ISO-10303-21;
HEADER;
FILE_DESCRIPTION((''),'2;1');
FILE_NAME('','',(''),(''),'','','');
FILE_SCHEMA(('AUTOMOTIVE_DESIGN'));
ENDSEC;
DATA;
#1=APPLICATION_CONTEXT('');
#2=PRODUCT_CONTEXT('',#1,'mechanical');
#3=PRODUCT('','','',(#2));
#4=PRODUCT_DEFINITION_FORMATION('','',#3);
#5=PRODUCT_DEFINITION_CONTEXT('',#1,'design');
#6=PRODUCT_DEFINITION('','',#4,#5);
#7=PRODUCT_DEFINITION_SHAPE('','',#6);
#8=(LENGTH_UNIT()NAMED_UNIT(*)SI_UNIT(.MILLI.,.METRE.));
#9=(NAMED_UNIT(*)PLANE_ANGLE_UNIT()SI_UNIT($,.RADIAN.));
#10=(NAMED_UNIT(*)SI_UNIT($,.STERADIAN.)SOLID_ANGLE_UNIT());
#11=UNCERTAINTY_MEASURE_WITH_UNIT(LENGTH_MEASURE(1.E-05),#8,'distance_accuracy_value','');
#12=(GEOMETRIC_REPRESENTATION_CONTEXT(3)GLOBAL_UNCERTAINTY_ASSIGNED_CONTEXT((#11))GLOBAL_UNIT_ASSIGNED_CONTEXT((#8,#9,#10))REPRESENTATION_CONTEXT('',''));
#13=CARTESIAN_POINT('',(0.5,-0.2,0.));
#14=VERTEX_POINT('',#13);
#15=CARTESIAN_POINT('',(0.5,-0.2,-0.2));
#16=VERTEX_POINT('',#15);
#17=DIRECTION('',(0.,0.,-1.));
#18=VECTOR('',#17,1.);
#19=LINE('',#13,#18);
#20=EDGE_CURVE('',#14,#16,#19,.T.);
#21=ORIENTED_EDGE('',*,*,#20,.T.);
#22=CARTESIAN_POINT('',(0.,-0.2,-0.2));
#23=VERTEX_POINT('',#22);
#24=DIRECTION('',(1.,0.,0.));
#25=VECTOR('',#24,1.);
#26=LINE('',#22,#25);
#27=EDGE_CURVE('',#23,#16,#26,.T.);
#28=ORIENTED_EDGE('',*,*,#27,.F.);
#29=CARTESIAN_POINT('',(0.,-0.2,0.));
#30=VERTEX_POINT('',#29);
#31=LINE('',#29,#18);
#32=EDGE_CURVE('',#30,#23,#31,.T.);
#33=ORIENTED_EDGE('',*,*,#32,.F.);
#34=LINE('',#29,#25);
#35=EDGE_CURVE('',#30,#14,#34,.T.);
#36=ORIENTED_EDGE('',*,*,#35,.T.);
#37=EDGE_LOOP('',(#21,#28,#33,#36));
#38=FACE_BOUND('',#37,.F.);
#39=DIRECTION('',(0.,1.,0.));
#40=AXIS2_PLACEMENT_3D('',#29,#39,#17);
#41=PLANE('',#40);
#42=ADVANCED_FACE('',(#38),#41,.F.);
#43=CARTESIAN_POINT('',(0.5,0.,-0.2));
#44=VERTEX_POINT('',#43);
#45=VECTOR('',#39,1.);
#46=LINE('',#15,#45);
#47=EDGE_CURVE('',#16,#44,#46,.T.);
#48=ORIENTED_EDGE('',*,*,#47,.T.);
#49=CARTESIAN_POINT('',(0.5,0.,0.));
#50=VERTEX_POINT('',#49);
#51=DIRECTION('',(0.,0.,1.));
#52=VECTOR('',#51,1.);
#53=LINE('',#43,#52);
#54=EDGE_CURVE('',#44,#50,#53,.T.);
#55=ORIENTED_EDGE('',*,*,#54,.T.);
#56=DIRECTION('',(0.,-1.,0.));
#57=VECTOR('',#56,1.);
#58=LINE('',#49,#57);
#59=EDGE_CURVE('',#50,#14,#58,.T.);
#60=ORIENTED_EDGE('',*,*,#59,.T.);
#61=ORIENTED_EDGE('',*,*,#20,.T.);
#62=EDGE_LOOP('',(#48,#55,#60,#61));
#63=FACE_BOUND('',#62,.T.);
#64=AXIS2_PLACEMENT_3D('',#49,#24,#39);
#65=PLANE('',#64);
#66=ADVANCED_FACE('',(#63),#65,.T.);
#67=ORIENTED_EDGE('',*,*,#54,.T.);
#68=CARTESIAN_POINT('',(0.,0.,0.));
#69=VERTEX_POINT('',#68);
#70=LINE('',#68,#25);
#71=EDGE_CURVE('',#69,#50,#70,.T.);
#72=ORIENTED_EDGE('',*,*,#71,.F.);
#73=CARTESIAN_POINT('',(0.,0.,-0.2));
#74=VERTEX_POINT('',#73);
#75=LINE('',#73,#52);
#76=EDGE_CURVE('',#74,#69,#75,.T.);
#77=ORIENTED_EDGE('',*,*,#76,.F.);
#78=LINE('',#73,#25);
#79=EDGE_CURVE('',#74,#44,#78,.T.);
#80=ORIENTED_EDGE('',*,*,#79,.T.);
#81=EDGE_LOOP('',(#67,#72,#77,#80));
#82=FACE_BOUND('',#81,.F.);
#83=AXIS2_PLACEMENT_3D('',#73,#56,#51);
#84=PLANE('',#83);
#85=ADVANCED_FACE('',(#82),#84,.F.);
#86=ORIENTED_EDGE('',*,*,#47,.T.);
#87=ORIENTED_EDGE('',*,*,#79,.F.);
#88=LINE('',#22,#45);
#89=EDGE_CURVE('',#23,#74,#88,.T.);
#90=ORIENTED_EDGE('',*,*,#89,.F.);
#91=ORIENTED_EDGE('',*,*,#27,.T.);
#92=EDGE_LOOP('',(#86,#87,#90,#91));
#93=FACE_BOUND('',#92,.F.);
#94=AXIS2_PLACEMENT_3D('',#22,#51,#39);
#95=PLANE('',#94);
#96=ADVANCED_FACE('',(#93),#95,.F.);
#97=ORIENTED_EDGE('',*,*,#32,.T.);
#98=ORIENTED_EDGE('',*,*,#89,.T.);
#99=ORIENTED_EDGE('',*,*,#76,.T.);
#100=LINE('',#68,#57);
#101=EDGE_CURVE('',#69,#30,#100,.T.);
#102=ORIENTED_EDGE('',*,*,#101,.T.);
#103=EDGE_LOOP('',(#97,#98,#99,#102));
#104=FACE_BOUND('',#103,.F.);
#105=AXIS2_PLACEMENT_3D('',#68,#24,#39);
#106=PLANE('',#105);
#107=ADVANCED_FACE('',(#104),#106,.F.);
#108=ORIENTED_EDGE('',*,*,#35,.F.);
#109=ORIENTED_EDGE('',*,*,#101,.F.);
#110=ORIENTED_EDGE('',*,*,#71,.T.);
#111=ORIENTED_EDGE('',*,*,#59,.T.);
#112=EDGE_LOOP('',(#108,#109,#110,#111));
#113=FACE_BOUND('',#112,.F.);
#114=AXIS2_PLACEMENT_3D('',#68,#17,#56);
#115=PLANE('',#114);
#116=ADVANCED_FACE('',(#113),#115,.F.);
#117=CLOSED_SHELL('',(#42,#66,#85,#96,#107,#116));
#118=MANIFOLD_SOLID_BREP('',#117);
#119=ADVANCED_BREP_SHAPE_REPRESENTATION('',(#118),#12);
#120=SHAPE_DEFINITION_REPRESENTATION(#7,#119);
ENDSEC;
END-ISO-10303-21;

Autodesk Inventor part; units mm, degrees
ref_plane "YZ Plane" through (0, 0, 0) normal (1, 0, 0) x (0, 1, 0)
ref_plane "XZ Plane" through (0, 0, 0) normal (0, 1, 0) x (-1, 0, 0)
ref_plane "XY Plane" through (0, 0, 0) normal (0, 0, 1) x (1, 0, 0)
sketch "Skizze1" plane through (0, 0, 0) normal (1, 0, 0) x (0, 1, 0)
  line L0 (0, 0) -> (-0.2, 0)
  line L1 (-0.2, 0) -> (-0.2, -0.2)
  line L2 (-0.2, -0.2) -> (0, -0.2)
  line L3 (0, -0.2) -> (0, 0)
  dimension "d3" = 0.2
  dimension "d4" = 0.2
extrude "Extrusion1" add sketch "Skizze1" along normal blind 0.5
properties material "OHNE_Pseudo-Teil"
